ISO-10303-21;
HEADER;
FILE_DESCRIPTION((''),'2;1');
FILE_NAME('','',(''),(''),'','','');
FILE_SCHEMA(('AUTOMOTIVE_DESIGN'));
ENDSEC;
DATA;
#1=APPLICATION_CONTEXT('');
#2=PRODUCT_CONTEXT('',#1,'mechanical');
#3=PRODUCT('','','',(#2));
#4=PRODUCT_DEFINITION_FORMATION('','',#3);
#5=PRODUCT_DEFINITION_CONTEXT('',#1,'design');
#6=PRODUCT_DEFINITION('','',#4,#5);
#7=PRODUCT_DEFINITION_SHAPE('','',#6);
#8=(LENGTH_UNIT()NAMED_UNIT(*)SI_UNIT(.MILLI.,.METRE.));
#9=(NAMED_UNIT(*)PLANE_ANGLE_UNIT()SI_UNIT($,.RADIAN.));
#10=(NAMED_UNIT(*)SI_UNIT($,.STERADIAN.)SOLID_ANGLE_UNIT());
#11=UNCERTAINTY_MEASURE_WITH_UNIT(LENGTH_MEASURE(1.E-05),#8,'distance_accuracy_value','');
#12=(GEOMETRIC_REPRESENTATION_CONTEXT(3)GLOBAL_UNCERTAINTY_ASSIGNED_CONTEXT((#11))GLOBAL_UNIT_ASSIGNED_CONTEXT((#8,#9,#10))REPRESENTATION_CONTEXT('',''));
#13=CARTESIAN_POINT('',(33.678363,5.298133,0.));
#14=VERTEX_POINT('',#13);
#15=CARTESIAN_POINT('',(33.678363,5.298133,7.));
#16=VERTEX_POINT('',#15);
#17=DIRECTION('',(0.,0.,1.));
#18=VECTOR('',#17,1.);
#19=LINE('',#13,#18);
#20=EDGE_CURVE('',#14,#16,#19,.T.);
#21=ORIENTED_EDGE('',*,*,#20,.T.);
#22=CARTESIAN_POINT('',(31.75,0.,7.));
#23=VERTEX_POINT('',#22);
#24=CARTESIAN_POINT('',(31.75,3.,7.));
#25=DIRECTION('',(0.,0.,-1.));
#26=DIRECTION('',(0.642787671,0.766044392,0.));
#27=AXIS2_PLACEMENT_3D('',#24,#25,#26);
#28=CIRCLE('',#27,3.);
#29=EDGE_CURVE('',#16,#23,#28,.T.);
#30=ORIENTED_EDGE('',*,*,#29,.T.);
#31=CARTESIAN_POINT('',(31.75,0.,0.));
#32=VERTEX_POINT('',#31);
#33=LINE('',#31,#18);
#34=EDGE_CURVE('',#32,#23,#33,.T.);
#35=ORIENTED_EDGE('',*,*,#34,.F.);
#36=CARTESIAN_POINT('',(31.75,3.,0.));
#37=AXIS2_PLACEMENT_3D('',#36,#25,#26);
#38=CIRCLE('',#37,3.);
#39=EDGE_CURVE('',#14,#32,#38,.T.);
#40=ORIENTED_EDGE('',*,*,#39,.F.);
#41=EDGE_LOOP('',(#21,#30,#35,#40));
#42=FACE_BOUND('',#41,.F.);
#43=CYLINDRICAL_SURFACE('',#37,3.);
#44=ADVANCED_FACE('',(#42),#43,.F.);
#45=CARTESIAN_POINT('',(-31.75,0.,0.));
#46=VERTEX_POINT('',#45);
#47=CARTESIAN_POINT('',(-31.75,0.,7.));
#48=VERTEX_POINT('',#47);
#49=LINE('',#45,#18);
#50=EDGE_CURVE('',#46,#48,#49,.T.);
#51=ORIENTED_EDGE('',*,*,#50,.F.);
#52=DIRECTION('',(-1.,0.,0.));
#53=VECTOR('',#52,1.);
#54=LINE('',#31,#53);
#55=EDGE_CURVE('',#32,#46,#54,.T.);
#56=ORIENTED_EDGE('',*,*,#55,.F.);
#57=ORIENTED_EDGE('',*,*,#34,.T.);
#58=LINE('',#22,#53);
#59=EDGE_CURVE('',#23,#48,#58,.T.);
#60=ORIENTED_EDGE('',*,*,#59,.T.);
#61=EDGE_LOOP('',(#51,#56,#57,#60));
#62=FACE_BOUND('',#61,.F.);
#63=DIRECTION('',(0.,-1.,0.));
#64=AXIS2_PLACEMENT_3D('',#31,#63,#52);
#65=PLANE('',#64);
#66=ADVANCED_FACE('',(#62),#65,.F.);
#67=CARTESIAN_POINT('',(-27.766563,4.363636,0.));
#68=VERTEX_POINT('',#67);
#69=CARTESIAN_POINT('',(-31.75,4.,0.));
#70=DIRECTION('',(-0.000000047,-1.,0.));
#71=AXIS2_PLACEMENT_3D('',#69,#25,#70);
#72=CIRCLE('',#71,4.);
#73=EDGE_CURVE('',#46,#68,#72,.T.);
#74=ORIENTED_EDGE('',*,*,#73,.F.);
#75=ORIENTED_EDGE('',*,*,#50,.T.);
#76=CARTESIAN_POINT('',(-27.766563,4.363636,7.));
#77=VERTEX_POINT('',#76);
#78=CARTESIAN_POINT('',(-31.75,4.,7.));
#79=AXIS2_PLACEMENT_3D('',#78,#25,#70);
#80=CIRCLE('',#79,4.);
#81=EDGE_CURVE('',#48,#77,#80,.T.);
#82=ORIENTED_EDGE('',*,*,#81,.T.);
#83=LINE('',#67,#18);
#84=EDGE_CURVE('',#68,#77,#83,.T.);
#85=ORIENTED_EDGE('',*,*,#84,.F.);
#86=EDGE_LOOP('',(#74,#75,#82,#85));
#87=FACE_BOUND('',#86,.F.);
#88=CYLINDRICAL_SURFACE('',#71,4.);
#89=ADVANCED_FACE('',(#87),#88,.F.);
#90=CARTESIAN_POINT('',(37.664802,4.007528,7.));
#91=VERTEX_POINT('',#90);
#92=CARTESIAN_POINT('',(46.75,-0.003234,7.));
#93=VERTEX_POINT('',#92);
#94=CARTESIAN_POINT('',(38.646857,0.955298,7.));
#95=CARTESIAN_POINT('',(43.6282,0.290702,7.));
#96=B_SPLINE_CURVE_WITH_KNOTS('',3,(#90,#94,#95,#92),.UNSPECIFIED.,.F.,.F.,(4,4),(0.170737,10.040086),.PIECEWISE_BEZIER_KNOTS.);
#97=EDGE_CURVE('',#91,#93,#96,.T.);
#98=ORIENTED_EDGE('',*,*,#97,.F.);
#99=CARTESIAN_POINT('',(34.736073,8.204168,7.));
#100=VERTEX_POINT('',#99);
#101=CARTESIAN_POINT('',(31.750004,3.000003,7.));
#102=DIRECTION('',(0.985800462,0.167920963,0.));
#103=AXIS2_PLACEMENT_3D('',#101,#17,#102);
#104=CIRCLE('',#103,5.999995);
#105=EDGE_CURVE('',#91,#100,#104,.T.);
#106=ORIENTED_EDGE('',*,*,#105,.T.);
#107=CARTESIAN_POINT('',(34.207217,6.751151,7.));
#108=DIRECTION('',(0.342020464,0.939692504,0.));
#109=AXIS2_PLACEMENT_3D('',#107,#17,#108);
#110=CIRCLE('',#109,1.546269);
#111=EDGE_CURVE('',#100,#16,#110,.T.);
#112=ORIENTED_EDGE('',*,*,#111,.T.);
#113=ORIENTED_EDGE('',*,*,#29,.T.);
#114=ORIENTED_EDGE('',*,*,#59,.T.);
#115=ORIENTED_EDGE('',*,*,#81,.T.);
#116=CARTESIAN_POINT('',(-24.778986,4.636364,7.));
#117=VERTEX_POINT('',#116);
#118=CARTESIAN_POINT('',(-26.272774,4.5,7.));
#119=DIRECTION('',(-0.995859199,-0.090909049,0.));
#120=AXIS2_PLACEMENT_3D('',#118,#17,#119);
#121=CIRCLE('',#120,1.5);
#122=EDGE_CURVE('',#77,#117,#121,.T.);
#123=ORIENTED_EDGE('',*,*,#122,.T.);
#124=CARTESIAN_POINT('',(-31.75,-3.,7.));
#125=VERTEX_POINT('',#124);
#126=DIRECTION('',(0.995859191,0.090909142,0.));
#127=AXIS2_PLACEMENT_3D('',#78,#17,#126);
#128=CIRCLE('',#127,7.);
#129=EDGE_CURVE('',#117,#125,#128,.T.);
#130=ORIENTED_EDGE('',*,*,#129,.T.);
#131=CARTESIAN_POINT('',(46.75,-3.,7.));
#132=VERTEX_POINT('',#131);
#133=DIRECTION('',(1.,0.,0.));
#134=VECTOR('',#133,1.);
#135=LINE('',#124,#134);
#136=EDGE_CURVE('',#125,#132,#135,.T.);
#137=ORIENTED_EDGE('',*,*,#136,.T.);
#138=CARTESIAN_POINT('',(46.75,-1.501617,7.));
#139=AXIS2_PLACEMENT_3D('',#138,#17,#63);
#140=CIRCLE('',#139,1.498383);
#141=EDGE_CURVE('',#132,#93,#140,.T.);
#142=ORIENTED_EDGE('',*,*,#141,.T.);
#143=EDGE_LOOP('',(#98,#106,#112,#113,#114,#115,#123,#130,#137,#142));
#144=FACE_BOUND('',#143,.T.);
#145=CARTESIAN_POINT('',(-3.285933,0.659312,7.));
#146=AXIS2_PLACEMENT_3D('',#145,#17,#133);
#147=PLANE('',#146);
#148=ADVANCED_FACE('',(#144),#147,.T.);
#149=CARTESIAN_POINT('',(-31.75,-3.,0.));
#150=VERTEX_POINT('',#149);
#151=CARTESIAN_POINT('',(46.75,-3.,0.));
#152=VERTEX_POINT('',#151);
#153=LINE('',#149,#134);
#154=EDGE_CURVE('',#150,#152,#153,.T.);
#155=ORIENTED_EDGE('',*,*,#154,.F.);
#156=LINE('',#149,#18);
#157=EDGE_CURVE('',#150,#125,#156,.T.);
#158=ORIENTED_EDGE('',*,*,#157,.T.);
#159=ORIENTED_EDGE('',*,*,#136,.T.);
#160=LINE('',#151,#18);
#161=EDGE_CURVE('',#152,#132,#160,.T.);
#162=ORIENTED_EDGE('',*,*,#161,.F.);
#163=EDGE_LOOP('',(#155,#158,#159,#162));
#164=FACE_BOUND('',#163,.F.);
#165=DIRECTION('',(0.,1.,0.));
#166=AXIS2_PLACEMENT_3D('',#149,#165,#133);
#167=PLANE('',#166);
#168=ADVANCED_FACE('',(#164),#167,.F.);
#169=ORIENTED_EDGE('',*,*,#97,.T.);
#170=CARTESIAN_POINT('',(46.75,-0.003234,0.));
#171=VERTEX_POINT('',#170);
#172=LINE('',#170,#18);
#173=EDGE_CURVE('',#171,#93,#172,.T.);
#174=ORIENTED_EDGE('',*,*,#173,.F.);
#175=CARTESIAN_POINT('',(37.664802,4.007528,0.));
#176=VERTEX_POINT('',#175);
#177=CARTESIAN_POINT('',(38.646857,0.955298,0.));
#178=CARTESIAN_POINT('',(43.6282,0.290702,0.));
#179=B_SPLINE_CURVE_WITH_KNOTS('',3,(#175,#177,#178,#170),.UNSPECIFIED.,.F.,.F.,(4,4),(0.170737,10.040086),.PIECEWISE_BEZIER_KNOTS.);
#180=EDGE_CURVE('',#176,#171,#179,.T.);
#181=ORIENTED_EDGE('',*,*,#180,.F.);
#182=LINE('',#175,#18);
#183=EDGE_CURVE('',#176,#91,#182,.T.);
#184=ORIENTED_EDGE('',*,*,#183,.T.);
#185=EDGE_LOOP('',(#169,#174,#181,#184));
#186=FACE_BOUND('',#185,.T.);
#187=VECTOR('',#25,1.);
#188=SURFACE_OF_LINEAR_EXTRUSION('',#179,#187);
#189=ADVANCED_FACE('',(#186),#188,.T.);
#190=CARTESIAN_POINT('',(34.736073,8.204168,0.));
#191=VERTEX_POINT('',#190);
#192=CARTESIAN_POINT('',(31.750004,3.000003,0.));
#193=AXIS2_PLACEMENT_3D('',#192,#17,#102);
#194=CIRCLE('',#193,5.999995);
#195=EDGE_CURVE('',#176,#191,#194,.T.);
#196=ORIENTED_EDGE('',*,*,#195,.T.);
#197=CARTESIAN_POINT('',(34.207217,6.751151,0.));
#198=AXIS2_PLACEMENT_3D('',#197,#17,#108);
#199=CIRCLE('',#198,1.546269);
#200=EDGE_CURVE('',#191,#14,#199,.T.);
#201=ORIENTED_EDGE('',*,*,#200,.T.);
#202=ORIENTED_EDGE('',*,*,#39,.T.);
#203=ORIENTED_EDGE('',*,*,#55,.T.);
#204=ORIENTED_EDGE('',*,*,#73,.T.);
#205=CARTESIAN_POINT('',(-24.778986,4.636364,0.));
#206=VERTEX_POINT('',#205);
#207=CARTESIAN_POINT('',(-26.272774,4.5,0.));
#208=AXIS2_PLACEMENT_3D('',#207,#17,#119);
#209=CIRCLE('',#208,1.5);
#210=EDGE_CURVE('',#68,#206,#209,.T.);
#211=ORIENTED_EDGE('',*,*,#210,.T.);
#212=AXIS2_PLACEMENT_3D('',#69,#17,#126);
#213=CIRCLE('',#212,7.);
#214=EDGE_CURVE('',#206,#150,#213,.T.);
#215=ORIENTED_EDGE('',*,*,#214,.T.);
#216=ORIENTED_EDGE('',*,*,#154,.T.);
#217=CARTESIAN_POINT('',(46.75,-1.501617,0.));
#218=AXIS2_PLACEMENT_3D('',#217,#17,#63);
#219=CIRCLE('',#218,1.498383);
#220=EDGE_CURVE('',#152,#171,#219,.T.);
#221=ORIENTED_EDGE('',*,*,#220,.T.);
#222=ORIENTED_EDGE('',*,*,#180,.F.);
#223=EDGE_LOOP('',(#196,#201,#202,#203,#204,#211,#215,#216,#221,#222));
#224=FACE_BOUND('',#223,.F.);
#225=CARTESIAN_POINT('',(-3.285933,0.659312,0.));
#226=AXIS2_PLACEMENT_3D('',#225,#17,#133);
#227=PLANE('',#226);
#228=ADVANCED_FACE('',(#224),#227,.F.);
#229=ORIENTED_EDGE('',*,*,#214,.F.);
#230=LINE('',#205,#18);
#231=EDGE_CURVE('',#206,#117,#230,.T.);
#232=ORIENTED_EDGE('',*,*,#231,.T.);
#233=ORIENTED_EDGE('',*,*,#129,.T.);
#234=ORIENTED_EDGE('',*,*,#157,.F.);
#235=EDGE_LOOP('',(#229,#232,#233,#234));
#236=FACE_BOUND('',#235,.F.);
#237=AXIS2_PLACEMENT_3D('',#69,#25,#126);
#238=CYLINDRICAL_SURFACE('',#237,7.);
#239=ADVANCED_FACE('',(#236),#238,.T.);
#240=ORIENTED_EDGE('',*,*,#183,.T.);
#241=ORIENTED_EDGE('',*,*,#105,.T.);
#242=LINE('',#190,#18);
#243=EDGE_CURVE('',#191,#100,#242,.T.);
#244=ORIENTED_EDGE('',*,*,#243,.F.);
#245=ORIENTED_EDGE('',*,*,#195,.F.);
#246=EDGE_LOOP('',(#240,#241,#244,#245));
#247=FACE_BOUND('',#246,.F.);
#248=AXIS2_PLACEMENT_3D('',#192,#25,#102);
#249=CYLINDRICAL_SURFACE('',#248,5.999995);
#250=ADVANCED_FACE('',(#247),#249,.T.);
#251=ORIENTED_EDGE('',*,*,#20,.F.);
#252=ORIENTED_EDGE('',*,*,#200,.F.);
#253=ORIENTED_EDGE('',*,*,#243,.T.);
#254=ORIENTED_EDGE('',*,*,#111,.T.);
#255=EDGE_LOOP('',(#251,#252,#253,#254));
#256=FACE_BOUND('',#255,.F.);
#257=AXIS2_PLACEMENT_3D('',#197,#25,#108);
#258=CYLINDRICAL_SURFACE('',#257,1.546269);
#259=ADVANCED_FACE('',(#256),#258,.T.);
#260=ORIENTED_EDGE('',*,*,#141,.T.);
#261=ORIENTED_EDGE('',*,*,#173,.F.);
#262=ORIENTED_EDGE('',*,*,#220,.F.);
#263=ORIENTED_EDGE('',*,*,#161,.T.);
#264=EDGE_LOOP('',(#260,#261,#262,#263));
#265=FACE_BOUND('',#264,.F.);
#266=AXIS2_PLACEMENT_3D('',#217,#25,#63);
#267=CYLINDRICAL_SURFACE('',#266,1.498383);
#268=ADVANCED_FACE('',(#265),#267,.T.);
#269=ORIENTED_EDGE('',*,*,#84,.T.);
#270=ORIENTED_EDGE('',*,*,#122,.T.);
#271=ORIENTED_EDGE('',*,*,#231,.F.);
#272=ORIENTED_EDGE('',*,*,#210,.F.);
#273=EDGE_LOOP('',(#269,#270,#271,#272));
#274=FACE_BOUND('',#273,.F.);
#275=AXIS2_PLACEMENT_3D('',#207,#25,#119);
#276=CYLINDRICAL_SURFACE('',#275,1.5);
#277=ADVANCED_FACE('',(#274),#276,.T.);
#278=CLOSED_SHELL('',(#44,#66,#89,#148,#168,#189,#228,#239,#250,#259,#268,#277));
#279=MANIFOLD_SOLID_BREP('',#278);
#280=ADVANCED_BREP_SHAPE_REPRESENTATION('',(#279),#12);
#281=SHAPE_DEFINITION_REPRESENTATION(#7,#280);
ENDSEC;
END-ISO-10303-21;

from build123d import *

# Parameters (mm, degrees)
F1_DEPTH = 7


with BuildPart() as f1:
    # F0 (on Top) → F1 (new body)
    with BuildSketch(Plane.XY):
        with BuildLine():
            Line((31.75, 0), (-31.75, 0))
            ThreePointArc((-31.75, 0), (-34.704196, 6.696799), (-27.766563, 4.363636))
            ThreePointArc((-27.766563, 4.363636), (-26.136411, 3.006211), (-24.778986, 4.636364))
            ThreePointArc((-24.778986, 4.636364), (-36.919843, 8.719399), (-31.75, -3))
            Line((-31.75, -3), (31.75, -3))
            ThreePointArc((31.75, -3), (36.335039, -0.870066), (37.664802, 4.007528))
            ThreePointArc((37.664802, 4.007528), (36.670299, 6.433753), (34.736073, 8.204168))
            ThreePointArc((34.736073, 8.204168), (32.7542, 7.280006), (33.678363, 5.298133))
            ThreePointArc((33.678363, 5.298133), (34.569078, 1.97394), (31.75, 0))
        make_face()
        with BuildLine():
            add(Edge.make_bspline(
                [(37.664802, 4.007528), (38.646857, 0.955298), (43.6282, 0.290702), (46.75, -0.003234)],
                knots=[0.170737, 0.170737, 0.170737, 0.170737, 10.040086, 10.040086, 10.040086, 10.040086], degree=3))
            ThreePointArc((37.664802, 4.007528), (36.335039, -0.870066), (31.75, -3))
            Line((31.75, -3), (46.75, -3))
            ThreePointArc((46.75, -3), (48.248383, -1.501617), (46.75, -0.003234))
        make_face()
    extrude(amount=F1_DEPTH)


solid = f1.part
